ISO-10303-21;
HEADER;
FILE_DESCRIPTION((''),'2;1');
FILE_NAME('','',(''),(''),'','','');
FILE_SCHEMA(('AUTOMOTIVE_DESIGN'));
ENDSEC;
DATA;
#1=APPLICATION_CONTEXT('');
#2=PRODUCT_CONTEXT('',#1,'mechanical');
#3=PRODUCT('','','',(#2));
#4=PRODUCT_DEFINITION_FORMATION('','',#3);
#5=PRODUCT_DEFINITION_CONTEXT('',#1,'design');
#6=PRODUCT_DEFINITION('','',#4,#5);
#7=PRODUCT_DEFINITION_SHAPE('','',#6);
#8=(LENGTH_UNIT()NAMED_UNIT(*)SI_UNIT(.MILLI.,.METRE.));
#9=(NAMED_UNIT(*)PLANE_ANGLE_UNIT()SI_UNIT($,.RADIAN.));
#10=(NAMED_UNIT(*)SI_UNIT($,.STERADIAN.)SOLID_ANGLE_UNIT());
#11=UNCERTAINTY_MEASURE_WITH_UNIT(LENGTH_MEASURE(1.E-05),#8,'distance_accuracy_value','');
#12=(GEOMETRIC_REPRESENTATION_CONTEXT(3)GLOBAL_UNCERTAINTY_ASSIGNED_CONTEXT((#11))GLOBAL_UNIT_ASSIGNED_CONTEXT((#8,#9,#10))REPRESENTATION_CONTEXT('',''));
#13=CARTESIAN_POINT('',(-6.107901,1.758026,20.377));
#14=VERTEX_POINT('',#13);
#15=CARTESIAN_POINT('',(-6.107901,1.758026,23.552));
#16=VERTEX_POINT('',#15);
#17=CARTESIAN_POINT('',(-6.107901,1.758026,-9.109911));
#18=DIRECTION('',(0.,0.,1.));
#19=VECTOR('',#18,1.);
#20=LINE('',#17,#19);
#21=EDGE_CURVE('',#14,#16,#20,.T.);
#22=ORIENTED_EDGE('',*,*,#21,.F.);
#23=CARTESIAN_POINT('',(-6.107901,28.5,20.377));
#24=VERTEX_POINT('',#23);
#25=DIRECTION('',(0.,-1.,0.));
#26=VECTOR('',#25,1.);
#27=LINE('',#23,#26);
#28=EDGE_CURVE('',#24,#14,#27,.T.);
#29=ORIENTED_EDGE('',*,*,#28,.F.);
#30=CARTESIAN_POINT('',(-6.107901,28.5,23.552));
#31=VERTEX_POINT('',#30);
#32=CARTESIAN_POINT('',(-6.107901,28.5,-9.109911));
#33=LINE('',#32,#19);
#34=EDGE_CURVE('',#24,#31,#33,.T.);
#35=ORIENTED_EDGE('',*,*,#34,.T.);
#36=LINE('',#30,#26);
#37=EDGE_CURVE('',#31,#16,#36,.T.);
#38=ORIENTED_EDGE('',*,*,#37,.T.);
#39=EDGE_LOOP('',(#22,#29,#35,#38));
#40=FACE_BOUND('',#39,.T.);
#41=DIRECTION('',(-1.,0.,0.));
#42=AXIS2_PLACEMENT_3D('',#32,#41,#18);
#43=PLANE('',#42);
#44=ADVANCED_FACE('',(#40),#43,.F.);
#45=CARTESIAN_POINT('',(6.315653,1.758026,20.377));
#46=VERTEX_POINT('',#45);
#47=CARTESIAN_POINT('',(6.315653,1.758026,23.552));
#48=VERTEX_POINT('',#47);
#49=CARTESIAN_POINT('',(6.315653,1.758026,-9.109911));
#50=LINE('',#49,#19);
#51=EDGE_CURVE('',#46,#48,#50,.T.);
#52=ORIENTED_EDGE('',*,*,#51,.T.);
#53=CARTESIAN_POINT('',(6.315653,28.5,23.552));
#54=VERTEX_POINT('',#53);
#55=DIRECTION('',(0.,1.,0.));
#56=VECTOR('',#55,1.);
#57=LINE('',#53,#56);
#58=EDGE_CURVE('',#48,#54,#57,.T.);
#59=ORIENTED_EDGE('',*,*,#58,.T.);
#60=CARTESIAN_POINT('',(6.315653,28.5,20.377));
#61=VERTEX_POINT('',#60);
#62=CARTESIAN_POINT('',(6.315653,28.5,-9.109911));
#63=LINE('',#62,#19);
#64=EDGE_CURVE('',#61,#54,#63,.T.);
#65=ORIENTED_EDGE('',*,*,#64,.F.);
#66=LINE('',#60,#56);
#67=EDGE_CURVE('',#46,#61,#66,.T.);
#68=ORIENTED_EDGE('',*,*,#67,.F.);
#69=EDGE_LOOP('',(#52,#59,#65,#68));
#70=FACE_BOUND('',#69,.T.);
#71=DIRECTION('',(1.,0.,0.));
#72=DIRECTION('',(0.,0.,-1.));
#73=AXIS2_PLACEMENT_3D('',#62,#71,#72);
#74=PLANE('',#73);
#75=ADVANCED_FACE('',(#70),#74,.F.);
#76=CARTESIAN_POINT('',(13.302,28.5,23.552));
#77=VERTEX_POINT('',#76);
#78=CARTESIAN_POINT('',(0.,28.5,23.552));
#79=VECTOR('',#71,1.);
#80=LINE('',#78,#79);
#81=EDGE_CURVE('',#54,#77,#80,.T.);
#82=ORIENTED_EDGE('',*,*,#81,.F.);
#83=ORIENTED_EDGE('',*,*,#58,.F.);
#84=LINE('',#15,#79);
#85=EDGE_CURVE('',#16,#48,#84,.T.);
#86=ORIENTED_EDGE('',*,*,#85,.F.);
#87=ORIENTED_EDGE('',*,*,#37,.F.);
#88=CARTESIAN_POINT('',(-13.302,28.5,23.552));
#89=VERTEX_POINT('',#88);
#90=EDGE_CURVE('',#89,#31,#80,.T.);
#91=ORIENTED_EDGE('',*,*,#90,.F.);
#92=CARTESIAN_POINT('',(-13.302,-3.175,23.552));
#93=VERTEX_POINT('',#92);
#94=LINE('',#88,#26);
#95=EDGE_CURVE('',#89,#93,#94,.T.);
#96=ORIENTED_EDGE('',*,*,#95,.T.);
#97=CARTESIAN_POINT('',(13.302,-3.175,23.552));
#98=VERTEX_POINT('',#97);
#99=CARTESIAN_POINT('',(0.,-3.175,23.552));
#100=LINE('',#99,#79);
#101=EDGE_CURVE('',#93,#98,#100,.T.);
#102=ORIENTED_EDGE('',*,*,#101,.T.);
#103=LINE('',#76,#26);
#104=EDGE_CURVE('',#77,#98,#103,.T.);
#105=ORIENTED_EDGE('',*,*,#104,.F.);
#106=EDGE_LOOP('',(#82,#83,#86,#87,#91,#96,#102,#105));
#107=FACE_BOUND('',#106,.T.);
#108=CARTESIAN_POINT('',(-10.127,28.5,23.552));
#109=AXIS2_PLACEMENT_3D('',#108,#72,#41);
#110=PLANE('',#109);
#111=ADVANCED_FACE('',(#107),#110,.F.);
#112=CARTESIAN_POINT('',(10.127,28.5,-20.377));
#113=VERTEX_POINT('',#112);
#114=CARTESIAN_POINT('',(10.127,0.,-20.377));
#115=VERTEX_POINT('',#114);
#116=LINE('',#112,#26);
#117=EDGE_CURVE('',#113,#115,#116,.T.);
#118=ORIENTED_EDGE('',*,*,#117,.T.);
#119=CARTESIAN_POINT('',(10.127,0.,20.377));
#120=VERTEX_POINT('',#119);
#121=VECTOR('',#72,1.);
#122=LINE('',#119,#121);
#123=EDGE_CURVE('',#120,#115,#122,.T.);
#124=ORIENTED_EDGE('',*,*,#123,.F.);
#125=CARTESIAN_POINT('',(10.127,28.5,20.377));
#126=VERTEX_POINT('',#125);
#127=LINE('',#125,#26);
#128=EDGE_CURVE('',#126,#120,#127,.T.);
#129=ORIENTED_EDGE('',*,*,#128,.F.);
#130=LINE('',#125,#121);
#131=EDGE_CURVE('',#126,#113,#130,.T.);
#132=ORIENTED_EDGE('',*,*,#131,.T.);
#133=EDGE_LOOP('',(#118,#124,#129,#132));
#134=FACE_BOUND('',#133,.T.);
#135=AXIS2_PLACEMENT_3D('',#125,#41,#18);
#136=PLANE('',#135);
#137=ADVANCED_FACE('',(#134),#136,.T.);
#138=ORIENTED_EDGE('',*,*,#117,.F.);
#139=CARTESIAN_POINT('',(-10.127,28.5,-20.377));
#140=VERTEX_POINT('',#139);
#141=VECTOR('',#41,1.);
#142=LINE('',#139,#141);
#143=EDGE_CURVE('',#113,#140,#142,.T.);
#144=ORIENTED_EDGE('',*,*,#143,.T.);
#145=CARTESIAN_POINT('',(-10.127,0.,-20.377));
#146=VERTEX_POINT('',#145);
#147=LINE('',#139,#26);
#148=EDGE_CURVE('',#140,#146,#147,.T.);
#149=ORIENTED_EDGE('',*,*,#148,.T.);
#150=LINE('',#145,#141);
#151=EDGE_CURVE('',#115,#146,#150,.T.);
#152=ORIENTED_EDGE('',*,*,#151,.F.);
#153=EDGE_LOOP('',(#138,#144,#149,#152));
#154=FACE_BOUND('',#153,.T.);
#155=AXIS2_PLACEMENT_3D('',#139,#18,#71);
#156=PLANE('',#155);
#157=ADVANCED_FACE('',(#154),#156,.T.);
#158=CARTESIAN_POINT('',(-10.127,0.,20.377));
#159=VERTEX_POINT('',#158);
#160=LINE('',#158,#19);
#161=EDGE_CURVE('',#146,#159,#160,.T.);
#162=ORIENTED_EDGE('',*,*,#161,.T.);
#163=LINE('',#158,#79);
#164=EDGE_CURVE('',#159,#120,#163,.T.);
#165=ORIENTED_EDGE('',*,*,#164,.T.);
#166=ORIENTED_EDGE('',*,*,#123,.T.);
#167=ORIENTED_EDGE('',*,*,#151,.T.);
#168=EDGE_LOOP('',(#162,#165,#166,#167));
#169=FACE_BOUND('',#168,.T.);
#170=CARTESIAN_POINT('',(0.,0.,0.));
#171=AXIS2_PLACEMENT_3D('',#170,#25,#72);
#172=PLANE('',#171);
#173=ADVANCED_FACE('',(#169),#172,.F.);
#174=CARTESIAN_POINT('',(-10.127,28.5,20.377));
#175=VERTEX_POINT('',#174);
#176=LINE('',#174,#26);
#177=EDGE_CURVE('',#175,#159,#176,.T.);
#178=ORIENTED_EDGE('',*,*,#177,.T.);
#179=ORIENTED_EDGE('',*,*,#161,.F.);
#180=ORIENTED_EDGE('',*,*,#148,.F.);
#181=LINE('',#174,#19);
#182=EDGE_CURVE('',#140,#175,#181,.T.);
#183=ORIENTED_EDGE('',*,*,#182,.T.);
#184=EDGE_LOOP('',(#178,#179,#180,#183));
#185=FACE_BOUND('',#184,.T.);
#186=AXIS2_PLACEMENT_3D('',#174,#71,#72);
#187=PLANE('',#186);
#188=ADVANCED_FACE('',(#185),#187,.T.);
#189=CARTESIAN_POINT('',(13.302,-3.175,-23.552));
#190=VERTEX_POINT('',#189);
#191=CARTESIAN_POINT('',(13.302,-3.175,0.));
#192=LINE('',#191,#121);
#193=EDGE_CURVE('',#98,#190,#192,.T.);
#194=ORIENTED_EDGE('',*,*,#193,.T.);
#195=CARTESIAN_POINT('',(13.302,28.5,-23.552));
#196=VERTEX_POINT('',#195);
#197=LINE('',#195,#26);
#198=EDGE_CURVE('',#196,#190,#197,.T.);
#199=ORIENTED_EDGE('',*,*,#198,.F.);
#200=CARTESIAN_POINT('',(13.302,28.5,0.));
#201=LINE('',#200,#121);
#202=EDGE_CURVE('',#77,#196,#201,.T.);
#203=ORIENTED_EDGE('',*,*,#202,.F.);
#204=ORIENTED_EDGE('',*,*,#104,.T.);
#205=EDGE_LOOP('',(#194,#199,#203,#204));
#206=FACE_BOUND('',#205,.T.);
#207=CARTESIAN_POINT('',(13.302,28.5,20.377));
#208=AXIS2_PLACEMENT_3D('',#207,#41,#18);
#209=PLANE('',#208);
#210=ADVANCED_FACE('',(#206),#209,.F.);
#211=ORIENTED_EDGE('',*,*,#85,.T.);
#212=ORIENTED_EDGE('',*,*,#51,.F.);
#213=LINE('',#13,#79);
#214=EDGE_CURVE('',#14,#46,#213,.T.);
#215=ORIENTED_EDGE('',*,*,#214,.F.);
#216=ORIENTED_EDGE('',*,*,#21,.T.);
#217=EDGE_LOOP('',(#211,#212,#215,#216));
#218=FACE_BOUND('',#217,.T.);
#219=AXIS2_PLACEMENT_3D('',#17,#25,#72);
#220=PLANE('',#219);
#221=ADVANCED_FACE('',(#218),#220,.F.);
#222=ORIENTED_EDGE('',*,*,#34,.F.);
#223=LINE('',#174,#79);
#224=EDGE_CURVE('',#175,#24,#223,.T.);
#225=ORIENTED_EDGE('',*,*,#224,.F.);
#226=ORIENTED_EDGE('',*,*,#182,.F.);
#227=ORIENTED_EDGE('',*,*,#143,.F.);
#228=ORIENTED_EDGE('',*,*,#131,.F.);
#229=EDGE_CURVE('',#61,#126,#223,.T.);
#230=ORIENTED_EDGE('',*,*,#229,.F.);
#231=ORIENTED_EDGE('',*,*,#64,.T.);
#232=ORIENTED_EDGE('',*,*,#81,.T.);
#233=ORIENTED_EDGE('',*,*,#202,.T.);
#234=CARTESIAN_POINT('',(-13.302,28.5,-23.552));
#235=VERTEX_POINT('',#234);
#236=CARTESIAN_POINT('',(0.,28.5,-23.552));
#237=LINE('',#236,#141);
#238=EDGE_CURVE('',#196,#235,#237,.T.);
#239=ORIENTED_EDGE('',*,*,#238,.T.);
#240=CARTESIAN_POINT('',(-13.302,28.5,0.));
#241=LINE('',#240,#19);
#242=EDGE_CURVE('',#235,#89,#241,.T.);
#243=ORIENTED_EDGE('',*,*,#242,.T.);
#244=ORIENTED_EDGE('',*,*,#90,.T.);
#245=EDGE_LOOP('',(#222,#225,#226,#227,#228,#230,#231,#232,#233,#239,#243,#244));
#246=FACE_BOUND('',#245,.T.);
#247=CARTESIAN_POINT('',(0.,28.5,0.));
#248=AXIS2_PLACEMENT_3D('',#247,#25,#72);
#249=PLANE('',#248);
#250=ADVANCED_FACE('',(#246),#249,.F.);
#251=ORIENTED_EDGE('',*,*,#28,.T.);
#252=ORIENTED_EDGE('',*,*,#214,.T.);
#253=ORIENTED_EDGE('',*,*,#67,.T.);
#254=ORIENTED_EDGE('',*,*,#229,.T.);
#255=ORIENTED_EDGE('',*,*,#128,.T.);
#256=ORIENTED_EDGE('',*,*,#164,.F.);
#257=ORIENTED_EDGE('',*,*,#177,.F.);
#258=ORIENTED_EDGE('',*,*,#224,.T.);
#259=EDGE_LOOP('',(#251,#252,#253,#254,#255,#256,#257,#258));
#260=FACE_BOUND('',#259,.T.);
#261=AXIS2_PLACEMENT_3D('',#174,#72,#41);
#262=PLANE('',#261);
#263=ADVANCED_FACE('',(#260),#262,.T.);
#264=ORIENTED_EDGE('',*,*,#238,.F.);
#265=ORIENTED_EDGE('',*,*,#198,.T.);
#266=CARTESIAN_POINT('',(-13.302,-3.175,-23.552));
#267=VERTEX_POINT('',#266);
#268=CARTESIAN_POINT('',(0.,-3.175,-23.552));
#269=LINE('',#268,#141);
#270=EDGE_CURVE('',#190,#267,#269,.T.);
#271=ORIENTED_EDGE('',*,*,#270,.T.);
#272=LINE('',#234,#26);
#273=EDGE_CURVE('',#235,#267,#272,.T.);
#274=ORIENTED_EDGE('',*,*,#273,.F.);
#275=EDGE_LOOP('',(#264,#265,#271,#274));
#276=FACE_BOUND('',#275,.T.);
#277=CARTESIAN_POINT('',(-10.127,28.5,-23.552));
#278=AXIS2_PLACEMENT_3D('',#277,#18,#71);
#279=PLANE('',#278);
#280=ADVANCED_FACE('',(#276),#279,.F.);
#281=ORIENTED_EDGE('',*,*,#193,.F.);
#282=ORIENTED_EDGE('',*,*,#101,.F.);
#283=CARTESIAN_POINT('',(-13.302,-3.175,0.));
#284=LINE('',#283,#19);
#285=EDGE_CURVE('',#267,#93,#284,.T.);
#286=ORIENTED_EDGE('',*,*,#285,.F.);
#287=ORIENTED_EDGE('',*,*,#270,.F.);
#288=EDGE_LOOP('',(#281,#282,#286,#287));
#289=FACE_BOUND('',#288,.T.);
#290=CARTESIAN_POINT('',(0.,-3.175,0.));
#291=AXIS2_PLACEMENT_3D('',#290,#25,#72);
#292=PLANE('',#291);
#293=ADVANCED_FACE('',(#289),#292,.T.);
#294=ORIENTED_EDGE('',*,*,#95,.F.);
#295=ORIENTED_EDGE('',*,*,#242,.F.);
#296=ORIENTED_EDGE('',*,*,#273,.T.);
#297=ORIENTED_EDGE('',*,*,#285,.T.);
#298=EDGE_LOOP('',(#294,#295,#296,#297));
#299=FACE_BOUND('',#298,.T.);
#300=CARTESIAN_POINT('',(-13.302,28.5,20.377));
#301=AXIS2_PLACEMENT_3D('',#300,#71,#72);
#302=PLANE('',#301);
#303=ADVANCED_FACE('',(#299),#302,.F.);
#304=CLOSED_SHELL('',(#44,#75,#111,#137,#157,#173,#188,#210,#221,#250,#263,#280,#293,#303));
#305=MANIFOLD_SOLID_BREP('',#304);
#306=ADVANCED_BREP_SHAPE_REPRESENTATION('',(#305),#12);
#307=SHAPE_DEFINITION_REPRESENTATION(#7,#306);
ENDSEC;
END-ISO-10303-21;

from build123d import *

# Parameters (mm, degrees)
SKETCH2_W           = 20.254
SKETCH2_H           = 40.754
BOSS_EXTRUDE1_DEPTH = 28.5
SHELL1_T            = 3.175
SKETCH3_W           = 12.42355449
SKETCH3_H           = 26.741974476
CUT_EXTRUDE1_DEPTH  = 3.175


with BuildPart() as part:
    # Sketch2 → Boss-Extrude1 (new body)
    with BuildSketch(Plane(origin=(0, 0, 0), x_dir=(1, 0, 0), z_dir=(0, 1, 0))):
        Rectangle(SKETCH2_W, SKETCH2_H)
    extrude(amount=BOSS_EXTRUDE1_DEPTH)

    # Shell1
    shell1_openings = [part.faces().sort_by_distance(p)[0] for p in [
        (0, 28.5, 0),
    ]]
    offset(amount=SHELL1_T, openings=shell1_openings, kind=Kind.INTERSECTION)

    # Sketch3 → Cut-Extrude1 (cut)
    with BuildSketch(Plane.XY.offset(23.552)):
        with Locations((0.103875874, 15.129012762)):
            Rectangle(SKETCH3_W, SKETCH3_H)
    extrude(amount=-CUT_EXTRUDE1_DEPTH, mode=Mode.SUBTRACT)


solid = part.part
